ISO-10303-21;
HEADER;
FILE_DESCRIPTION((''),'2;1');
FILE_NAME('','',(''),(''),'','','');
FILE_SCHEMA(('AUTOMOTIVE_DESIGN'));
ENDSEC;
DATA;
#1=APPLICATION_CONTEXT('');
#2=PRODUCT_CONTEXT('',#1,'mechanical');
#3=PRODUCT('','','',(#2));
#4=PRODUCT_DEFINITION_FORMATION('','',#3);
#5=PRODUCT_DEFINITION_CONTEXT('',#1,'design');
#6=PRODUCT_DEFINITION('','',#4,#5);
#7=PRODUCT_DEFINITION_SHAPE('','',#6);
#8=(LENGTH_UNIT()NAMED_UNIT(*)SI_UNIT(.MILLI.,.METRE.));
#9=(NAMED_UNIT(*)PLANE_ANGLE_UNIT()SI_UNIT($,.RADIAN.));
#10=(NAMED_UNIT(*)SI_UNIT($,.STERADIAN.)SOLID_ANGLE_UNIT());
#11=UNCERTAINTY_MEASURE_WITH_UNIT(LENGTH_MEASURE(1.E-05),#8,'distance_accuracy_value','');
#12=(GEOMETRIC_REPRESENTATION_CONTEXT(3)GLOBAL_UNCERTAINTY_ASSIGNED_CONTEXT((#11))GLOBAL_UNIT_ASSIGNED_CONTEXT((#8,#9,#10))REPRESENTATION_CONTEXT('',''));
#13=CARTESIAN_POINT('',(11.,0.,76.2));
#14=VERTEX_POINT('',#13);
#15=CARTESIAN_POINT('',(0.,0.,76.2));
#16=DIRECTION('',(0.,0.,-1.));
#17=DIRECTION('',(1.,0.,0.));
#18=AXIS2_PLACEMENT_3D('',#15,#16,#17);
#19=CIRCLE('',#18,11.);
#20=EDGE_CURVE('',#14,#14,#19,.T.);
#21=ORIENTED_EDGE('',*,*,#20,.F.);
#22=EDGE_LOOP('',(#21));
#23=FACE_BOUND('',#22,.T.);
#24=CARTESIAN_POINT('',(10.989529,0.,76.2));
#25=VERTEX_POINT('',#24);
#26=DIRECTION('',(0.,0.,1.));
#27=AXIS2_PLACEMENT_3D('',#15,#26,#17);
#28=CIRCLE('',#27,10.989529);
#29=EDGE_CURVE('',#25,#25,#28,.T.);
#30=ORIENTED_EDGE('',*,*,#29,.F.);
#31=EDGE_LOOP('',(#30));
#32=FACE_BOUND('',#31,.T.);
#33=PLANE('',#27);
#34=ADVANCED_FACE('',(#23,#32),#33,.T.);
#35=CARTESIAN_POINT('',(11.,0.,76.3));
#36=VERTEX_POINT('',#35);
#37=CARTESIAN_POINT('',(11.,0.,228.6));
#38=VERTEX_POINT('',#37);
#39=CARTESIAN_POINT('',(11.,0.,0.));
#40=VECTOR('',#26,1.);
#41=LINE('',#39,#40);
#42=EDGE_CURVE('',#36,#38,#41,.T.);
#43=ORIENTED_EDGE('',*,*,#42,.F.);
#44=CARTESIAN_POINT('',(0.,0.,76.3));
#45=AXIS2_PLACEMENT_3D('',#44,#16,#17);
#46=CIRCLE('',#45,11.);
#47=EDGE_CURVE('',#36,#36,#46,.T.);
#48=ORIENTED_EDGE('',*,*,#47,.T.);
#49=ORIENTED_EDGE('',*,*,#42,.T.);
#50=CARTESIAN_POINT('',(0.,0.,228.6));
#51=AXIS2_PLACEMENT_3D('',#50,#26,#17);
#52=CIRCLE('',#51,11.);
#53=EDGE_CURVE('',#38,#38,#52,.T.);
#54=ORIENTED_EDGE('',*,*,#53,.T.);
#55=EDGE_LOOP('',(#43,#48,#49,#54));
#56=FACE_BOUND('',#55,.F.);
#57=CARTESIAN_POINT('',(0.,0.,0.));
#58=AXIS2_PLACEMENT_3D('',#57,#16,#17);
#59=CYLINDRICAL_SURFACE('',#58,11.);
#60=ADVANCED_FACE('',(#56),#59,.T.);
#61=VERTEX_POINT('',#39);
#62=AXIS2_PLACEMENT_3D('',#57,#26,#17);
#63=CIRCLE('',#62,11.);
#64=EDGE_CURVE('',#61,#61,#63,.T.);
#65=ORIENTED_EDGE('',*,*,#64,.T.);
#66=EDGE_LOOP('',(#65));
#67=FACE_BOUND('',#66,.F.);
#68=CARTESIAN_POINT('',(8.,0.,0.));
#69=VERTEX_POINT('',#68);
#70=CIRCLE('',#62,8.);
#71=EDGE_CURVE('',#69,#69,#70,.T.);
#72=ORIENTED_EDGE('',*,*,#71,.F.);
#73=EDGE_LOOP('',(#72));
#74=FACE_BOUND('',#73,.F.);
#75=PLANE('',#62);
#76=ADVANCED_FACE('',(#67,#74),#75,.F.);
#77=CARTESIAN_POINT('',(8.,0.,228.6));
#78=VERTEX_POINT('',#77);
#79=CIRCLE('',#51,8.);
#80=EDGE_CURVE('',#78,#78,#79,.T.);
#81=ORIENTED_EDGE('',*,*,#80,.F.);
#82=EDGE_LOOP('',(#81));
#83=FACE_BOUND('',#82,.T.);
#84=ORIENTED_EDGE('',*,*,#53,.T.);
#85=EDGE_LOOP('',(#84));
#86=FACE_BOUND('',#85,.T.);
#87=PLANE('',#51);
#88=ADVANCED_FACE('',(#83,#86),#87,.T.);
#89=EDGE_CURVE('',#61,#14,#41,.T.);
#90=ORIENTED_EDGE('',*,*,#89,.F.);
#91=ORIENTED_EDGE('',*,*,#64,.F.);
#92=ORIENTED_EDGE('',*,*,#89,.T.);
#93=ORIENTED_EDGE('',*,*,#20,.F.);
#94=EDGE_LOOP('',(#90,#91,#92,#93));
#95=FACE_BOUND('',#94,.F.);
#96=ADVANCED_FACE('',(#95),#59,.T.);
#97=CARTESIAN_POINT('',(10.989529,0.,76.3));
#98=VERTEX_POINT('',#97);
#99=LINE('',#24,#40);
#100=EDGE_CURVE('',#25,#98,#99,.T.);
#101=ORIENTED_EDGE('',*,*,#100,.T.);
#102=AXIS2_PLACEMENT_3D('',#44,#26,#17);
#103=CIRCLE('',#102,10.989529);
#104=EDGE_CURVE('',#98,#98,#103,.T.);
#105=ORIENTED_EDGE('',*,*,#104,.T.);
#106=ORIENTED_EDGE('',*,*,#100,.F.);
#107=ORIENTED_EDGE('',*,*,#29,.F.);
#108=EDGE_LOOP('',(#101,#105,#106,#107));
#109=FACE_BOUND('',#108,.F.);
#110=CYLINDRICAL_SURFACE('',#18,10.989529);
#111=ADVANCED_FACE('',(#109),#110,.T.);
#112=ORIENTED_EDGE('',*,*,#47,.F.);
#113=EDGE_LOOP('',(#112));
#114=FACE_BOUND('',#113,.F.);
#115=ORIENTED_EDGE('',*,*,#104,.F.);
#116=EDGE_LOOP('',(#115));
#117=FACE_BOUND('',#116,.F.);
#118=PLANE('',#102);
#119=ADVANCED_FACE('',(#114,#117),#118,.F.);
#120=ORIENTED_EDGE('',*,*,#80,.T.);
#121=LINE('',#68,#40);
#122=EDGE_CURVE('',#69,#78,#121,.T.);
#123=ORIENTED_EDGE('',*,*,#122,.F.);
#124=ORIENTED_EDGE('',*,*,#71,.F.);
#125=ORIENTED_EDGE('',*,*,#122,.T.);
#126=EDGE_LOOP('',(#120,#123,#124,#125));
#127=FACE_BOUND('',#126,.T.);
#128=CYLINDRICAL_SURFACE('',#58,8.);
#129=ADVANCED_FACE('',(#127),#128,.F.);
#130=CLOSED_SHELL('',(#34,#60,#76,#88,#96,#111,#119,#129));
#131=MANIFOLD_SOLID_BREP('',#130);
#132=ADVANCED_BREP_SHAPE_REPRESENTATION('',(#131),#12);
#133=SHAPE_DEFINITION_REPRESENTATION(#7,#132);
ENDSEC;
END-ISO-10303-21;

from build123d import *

# Parameters (mm, degrees)
F0_R     = 11
F0_R_2   = 8
F1_DEPTH = 228.6
F3_R     = 18.855873
F3_R_2   = 10.989529
F4_DEPTH = 0.1


with BuildPart() as f1:
    # F0 (on Top) → F1 (new body)
    with BuildSketch(Plane.XY):
        Circle(F0_R)
        Circle(F0_R_2, mode=Mode.SUBTRACT)
    extrude(amount=F1_DEPTH)

    # F3 (on offset) → F4 (cut)
    with BuildSketch(Plane.XY.offset(76.2)):
        Circle(F3_R)
        Circle(F3_R_2, mode=Mode.SUBTRACT)
    extrude(amount=F4_DEPTH, mode=Mode.SUBTRACT)


solid = f1.part
